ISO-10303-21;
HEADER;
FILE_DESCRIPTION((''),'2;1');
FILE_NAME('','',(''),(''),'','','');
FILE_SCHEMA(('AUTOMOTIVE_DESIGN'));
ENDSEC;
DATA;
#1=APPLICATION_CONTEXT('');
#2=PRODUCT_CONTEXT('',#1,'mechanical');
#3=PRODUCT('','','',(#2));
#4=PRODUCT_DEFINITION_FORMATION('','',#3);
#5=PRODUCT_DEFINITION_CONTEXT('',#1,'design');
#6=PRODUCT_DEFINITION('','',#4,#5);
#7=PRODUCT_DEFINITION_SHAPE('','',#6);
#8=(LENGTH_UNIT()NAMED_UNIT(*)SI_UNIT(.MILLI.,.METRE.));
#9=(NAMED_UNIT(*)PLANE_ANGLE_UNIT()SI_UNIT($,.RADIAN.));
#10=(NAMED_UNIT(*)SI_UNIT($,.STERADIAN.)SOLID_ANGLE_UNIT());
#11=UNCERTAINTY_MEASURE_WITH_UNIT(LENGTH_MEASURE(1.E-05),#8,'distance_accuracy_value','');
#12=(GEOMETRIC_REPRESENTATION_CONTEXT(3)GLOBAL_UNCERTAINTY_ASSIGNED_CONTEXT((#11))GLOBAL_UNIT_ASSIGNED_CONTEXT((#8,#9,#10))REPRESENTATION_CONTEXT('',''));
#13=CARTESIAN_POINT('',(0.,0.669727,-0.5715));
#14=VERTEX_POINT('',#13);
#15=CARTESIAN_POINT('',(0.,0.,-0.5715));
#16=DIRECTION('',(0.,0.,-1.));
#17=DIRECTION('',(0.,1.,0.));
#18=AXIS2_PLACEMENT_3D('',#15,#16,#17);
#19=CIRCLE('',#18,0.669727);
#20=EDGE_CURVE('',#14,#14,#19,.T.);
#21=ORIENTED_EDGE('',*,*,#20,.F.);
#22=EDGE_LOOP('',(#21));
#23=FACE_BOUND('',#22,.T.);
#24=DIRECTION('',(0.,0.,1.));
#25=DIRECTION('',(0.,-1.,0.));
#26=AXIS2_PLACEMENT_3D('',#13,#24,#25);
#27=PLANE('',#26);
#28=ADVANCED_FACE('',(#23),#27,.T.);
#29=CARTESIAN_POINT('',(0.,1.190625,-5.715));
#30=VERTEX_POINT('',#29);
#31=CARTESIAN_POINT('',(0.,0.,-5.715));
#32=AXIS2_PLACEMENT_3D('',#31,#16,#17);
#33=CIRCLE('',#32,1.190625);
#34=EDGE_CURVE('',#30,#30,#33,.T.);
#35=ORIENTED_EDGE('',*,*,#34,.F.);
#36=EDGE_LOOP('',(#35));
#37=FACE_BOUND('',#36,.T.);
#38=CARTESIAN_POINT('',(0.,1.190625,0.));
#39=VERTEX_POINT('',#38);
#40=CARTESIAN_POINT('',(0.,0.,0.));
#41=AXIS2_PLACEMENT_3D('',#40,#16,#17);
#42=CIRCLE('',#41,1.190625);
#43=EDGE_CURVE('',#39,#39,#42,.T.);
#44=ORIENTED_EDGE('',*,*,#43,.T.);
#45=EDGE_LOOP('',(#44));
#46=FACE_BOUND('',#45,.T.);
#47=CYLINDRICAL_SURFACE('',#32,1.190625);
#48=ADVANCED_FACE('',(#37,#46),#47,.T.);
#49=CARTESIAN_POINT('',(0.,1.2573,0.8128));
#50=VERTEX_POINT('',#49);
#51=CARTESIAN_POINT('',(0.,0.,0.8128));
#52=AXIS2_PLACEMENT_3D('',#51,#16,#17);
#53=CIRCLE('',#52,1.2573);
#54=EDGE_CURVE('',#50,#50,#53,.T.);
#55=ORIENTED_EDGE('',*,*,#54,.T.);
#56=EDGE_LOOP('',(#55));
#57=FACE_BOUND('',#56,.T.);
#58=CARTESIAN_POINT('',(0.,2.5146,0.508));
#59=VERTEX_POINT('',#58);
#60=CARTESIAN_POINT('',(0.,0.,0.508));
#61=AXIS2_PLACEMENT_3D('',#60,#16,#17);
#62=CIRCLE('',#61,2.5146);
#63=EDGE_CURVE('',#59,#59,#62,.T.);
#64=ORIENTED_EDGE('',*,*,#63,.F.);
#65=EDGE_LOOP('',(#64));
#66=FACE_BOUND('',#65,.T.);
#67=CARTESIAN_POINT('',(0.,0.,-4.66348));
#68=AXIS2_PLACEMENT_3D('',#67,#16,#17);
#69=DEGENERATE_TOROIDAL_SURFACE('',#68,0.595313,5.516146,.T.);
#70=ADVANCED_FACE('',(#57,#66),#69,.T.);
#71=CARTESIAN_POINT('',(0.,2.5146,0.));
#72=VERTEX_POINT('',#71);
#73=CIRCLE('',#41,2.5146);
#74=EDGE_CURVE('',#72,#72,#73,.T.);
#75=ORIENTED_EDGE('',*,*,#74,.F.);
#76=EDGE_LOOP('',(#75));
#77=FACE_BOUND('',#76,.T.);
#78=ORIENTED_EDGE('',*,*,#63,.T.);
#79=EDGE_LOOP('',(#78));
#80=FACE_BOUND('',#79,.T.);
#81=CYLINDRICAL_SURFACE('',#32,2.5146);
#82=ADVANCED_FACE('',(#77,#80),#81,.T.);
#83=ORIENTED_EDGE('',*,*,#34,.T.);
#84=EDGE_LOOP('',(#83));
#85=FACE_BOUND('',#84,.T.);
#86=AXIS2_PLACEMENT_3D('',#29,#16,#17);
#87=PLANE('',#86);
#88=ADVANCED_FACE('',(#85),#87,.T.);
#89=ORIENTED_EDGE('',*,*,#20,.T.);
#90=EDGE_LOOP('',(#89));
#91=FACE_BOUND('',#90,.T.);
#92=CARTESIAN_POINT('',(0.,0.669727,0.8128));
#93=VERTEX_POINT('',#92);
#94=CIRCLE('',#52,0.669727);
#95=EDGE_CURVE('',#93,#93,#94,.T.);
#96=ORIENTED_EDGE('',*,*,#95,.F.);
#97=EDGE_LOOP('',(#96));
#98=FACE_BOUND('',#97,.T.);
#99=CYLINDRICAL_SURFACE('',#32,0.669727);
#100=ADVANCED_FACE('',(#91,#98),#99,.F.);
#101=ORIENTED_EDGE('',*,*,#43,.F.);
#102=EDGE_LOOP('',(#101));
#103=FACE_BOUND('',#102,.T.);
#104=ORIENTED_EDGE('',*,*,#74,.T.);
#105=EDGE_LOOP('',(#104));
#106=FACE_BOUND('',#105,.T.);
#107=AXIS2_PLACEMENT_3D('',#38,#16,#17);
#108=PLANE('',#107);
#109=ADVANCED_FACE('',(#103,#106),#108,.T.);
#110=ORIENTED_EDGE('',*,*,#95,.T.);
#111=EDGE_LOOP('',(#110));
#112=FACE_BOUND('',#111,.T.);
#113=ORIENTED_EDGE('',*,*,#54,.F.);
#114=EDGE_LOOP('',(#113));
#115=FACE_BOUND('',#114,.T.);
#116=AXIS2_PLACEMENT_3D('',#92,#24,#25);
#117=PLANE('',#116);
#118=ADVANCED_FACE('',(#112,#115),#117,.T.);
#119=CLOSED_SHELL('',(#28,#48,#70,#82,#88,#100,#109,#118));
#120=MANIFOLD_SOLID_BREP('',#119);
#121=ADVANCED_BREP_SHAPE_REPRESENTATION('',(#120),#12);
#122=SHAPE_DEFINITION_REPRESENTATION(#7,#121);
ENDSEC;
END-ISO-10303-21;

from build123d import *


with BuildPart() as part:
    # Sketch2 → Revolve1 (revolve)
    with BuildSketch(Plane(origin=(0, 0, 0), x_dir=(0, 0, -1), z_dir=(1, 0, 0))):
        with BuildLine():
            Line((5.715, 1.190625), (0, 1.190625))
            Line((0, 1.190625), (0, 2.5146))
            Line((0, 2.5146), (-0.508, 2.5146))
            ThreePointArc((-0.508, 2.5146), (-0.697387383, 1.894916638), (-0.8128, 1.2573))
            Line((-0.8128, 1.2573), (-0.8128, 0.669726563))
            Line((-0.8128, 0.669726563), (0, 0.669726563))
            Line((0, 0.669726563), (0.5715, 0.669726563))
            Line((0.5715, 0.669726563), (0.5715, 0))
            Line((0.5715, 0), (5.715, 0))
            Line((5.715, 0), (5.715, 1.190625))
        make_face()
    revolve(axis=Axis((0, 0, -5.715), (0, 0, 1)))


solid = part.part
